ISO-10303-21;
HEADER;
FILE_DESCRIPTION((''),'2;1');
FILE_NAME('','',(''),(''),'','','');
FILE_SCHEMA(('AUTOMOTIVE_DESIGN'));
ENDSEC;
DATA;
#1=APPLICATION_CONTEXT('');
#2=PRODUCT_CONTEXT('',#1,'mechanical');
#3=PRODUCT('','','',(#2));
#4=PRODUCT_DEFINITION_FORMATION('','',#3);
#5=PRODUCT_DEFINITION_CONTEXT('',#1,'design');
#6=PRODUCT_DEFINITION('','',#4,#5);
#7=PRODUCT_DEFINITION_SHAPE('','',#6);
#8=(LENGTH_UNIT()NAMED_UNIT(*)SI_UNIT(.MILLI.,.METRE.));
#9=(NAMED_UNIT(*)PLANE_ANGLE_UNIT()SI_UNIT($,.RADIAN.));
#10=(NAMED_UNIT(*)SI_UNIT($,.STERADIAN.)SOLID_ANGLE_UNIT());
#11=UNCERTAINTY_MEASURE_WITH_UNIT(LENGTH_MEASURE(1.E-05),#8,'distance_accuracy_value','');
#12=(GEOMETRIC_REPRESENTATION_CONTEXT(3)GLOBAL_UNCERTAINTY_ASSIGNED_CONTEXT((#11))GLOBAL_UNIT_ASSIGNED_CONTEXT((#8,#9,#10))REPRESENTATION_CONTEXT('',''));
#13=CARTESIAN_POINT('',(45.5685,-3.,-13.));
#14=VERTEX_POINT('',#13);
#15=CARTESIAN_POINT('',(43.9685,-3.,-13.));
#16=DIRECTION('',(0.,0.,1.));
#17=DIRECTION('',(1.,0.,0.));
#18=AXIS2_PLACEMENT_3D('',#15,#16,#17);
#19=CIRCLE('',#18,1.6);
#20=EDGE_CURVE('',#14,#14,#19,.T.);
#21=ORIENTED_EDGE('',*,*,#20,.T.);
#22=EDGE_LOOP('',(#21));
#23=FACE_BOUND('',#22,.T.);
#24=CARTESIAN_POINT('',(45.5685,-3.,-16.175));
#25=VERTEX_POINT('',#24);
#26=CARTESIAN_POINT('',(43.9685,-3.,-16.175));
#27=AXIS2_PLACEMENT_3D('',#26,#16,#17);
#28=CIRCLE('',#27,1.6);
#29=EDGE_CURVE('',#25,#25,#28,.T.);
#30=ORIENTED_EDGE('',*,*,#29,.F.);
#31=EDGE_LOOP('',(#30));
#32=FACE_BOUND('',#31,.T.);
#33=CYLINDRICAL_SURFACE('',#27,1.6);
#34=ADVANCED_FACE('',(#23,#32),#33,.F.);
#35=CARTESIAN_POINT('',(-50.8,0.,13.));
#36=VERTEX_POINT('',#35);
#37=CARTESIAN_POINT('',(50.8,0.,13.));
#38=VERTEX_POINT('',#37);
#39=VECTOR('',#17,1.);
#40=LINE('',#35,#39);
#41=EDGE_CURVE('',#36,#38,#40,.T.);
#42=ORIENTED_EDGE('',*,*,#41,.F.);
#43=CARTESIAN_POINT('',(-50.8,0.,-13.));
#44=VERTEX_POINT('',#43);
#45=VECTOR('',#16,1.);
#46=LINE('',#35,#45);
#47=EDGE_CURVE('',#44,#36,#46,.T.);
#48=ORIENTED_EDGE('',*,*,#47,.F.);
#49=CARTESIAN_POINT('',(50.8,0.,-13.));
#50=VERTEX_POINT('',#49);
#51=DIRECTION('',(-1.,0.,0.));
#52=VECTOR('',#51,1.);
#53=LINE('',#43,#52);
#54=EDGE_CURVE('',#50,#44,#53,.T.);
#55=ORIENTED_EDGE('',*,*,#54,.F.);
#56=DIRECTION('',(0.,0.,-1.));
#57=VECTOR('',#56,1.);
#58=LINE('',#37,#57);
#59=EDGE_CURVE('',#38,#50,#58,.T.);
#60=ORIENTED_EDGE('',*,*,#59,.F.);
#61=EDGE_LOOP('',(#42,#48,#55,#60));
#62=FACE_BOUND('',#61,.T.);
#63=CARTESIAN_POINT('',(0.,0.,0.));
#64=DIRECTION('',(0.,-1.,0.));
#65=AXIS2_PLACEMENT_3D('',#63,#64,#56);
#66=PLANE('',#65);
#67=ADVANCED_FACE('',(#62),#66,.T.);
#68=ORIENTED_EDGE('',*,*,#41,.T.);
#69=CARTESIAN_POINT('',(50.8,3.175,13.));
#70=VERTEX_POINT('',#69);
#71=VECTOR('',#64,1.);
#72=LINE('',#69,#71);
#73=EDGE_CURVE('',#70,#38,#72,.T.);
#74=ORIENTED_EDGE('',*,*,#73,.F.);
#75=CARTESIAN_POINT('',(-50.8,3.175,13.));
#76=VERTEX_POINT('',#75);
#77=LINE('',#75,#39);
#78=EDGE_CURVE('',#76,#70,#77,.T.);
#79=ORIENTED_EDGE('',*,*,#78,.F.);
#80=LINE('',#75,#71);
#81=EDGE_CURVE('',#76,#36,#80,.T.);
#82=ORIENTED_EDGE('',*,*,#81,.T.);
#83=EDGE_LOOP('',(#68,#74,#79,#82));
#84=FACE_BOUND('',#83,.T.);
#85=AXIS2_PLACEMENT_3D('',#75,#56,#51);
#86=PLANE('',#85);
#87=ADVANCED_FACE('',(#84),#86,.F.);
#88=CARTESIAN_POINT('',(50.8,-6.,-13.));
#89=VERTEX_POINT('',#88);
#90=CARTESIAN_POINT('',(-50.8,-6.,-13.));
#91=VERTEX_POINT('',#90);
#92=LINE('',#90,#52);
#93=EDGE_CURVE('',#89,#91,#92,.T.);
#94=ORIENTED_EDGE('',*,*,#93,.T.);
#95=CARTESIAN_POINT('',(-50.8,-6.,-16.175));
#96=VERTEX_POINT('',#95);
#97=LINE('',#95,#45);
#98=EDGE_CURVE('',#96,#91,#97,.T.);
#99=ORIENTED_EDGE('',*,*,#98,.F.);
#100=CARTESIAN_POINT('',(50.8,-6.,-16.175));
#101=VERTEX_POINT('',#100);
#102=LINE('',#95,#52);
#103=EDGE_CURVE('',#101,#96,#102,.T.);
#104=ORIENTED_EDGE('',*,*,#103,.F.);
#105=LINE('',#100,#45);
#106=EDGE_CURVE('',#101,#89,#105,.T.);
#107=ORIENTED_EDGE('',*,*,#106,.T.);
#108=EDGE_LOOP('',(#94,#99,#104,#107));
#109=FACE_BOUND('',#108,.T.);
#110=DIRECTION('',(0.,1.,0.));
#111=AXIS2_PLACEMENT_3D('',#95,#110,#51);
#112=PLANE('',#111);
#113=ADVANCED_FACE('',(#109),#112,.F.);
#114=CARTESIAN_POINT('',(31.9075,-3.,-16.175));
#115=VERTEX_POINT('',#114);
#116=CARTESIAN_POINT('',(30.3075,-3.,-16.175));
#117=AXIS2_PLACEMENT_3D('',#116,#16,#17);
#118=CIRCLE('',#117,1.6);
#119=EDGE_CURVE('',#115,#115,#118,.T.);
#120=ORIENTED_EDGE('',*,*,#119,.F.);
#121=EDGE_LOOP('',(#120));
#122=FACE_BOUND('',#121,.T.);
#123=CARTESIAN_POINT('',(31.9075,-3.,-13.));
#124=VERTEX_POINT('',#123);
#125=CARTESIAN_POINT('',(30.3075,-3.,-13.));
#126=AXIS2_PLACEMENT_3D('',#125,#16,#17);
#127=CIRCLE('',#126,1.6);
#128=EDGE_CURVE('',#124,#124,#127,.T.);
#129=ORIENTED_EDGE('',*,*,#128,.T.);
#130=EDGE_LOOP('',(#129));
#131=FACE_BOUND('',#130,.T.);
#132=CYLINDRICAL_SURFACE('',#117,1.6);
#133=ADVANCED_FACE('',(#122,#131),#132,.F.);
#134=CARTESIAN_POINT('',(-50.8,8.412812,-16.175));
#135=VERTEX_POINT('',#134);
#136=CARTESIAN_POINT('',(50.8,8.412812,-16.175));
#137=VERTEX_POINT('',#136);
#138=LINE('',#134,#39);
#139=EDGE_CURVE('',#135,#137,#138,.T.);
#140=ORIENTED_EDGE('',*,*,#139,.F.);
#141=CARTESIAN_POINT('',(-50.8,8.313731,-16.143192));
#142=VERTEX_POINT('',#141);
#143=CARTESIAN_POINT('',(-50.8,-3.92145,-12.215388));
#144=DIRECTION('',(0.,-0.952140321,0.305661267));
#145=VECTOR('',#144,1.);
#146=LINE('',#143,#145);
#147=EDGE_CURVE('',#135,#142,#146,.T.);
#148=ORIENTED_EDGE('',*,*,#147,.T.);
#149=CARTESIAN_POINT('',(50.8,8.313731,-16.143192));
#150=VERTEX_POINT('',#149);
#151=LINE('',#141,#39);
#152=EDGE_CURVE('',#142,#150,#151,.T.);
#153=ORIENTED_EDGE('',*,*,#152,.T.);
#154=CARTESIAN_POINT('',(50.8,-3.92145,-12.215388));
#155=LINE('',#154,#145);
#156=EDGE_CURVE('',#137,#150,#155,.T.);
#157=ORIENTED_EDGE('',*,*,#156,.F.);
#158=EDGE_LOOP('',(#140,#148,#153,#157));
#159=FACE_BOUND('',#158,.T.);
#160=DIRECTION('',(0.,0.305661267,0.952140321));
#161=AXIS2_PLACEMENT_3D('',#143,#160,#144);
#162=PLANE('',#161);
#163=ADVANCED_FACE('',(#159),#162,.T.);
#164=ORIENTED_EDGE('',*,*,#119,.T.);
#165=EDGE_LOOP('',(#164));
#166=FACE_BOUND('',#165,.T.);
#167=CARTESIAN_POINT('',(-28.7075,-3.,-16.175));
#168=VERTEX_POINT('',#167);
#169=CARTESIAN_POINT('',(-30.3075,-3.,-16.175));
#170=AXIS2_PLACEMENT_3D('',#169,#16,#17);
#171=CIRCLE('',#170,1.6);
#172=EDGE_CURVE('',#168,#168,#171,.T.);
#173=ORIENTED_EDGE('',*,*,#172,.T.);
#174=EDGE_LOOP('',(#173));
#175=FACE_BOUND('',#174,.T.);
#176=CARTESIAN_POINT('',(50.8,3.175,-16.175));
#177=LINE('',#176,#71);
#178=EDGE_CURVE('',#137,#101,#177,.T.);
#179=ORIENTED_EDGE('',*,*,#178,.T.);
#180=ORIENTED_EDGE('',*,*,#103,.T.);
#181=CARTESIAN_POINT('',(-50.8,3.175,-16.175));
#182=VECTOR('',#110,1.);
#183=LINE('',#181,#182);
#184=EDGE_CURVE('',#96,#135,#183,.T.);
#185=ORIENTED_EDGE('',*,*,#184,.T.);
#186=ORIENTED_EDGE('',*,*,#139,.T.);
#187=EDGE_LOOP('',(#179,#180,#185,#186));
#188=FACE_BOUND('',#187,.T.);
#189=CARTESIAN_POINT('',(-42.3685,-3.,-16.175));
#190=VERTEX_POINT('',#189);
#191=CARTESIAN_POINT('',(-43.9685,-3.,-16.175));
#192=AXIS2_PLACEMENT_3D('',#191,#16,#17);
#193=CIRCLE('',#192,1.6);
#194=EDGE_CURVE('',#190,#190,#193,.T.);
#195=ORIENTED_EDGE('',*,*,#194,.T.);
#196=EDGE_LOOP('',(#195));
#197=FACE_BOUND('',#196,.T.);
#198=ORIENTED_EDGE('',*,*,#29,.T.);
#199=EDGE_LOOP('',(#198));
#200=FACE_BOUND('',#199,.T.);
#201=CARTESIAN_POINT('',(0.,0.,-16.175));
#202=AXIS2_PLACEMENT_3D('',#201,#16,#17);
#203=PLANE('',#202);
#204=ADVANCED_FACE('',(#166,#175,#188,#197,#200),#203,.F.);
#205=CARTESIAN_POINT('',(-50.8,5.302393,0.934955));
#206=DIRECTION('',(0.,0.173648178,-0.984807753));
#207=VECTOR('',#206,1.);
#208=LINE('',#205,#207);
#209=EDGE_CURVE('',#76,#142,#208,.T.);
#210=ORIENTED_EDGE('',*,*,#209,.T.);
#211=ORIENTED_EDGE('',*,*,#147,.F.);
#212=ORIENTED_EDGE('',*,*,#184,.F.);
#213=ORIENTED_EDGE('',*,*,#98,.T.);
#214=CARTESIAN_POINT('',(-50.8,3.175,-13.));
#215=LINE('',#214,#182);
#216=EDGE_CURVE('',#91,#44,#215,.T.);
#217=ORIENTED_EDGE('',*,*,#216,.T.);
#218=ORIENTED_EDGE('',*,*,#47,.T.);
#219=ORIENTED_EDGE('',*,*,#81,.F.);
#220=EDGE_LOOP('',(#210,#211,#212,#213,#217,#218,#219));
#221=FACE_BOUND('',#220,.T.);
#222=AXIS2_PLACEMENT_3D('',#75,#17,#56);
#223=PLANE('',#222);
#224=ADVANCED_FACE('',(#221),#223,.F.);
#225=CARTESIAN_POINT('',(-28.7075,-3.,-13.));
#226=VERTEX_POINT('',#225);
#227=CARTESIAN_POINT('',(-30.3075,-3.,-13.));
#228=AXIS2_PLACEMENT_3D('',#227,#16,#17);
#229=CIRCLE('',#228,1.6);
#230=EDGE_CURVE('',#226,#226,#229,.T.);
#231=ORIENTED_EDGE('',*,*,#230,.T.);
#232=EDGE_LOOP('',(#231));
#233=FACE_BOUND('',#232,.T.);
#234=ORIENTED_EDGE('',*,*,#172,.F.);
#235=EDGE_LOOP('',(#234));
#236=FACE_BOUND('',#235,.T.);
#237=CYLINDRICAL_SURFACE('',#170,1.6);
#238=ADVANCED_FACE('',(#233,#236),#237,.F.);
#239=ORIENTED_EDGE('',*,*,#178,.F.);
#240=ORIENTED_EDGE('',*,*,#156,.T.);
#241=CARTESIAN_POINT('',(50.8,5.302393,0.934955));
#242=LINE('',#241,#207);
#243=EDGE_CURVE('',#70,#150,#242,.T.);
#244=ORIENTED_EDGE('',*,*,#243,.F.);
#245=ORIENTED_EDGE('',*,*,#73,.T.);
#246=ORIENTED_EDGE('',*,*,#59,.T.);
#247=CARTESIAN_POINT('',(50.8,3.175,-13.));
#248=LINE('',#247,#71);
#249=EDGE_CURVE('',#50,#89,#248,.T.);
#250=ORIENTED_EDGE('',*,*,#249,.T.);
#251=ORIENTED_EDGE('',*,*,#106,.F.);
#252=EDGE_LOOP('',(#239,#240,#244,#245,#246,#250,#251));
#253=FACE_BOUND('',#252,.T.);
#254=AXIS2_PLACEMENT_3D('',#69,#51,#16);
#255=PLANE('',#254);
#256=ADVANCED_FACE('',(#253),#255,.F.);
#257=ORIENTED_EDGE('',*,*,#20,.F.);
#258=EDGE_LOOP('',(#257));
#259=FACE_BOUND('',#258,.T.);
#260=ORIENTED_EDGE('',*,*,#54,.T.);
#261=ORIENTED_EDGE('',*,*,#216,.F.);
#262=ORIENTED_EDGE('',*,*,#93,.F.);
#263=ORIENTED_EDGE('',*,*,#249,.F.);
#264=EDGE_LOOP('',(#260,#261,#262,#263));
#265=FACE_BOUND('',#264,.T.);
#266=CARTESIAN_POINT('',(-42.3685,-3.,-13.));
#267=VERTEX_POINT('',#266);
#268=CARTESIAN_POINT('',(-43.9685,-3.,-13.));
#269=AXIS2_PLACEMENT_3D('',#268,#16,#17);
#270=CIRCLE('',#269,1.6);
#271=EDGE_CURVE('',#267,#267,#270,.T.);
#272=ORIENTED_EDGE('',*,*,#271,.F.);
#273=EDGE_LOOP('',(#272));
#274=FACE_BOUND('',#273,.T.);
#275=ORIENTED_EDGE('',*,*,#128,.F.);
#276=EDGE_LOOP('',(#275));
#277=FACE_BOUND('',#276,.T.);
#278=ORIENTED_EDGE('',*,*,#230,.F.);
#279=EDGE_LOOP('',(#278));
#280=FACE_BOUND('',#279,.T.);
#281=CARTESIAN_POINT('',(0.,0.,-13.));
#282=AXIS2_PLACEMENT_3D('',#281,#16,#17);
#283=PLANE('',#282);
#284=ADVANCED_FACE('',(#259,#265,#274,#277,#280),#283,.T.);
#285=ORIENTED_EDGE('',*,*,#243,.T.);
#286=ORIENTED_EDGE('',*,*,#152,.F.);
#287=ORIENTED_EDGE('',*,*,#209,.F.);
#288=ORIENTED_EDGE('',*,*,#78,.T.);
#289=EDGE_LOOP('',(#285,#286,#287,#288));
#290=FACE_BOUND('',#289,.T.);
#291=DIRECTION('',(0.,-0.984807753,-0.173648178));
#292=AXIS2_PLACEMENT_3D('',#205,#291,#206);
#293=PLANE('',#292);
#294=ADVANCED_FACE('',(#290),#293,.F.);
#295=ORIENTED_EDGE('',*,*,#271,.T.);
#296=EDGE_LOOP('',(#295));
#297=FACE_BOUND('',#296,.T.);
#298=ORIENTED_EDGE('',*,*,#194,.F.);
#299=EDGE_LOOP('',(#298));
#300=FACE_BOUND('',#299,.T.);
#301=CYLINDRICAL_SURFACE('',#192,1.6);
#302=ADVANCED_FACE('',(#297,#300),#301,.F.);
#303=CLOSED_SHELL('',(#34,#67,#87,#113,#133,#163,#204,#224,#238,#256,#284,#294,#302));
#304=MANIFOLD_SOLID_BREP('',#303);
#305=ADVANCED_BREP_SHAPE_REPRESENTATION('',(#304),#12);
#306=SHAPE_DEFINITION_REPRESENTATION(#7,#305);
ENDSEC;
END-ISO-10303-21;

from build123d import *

# Parameters (mm, degrees)
SKETCH1_W           = 101.6
SKETCH1_H           = 26
BOSS_EXTRUDE1_DEPTH = 3.175
SKETCH2_W           = 101.6
SKETCH2_H           = 9.175
BOSS_EXTRUDE2_DEPTH = 3.175
SKETCH3_R           = 1.6
CUT_EXTRUDE1_DEPTH  = 3.175
BOSS_EXTRUDE3_DEPTH = 101.6


with BuildPart() as part:
    # Sketch1 → Boss-Extrude1 (new body)
    with BuildSketch(Plane(origin=(0, 0, 0), x_dir=(1, 0, 0), z_dir=(0, 1, 0))):
        Rectangle(SKETCH1_W, SKETCH1_H)
    extrude(amount=BOSS_EXTRUDE1_DEPTH)

    # Sketch2 → Boss-Extrude2 (add)
    with BuildSketch(Plane(origin=(0, 0, -13), x_dir=(-1, 0, 0), z_dir=(0, 0, -1))):
        with Locations((0, -1.4125)):
            Rectangle(SKETCH2_W, SKETCH2_H)
    extrude(amount=BOSS_EXTRUDE2_DEPTH)

    # Sketch3 → Cut-Extrude1 (cut)
    with BuildSketch(Plane.XY.offset(-13)):
        with Locations((30.3075, -3)):
            Circle(SKETCH3_R)
        with Locations((-30.3075, -3)):
            Circle(SKETCH3_R)
        with Locations((43.9685, -3)):
            Circle(SKETCH3_R)
        with Locations((-43.9685, -3)):
            Circle(SKETCH3_R)
    extrude(amount=-CUT_EXTRUDE1_DEPTH, mode=Mode.SUBTRACT)

    # Sketch4 → Boss-Extrude3 (add)
    with BuildSketch(Plane(origin=(50.8, 0, 0), x_dir=(0, 0, -1), z_dir=(1, 0, 0))):
        Polygon((16.175, 3.175), (16.175, 8.412812241), (16.143192443, 8.313731132), (-13, 3.175), align=None)
    extrude(amount=-BOSS_EXTRUDE3_DEPTH)


solid = part.part
